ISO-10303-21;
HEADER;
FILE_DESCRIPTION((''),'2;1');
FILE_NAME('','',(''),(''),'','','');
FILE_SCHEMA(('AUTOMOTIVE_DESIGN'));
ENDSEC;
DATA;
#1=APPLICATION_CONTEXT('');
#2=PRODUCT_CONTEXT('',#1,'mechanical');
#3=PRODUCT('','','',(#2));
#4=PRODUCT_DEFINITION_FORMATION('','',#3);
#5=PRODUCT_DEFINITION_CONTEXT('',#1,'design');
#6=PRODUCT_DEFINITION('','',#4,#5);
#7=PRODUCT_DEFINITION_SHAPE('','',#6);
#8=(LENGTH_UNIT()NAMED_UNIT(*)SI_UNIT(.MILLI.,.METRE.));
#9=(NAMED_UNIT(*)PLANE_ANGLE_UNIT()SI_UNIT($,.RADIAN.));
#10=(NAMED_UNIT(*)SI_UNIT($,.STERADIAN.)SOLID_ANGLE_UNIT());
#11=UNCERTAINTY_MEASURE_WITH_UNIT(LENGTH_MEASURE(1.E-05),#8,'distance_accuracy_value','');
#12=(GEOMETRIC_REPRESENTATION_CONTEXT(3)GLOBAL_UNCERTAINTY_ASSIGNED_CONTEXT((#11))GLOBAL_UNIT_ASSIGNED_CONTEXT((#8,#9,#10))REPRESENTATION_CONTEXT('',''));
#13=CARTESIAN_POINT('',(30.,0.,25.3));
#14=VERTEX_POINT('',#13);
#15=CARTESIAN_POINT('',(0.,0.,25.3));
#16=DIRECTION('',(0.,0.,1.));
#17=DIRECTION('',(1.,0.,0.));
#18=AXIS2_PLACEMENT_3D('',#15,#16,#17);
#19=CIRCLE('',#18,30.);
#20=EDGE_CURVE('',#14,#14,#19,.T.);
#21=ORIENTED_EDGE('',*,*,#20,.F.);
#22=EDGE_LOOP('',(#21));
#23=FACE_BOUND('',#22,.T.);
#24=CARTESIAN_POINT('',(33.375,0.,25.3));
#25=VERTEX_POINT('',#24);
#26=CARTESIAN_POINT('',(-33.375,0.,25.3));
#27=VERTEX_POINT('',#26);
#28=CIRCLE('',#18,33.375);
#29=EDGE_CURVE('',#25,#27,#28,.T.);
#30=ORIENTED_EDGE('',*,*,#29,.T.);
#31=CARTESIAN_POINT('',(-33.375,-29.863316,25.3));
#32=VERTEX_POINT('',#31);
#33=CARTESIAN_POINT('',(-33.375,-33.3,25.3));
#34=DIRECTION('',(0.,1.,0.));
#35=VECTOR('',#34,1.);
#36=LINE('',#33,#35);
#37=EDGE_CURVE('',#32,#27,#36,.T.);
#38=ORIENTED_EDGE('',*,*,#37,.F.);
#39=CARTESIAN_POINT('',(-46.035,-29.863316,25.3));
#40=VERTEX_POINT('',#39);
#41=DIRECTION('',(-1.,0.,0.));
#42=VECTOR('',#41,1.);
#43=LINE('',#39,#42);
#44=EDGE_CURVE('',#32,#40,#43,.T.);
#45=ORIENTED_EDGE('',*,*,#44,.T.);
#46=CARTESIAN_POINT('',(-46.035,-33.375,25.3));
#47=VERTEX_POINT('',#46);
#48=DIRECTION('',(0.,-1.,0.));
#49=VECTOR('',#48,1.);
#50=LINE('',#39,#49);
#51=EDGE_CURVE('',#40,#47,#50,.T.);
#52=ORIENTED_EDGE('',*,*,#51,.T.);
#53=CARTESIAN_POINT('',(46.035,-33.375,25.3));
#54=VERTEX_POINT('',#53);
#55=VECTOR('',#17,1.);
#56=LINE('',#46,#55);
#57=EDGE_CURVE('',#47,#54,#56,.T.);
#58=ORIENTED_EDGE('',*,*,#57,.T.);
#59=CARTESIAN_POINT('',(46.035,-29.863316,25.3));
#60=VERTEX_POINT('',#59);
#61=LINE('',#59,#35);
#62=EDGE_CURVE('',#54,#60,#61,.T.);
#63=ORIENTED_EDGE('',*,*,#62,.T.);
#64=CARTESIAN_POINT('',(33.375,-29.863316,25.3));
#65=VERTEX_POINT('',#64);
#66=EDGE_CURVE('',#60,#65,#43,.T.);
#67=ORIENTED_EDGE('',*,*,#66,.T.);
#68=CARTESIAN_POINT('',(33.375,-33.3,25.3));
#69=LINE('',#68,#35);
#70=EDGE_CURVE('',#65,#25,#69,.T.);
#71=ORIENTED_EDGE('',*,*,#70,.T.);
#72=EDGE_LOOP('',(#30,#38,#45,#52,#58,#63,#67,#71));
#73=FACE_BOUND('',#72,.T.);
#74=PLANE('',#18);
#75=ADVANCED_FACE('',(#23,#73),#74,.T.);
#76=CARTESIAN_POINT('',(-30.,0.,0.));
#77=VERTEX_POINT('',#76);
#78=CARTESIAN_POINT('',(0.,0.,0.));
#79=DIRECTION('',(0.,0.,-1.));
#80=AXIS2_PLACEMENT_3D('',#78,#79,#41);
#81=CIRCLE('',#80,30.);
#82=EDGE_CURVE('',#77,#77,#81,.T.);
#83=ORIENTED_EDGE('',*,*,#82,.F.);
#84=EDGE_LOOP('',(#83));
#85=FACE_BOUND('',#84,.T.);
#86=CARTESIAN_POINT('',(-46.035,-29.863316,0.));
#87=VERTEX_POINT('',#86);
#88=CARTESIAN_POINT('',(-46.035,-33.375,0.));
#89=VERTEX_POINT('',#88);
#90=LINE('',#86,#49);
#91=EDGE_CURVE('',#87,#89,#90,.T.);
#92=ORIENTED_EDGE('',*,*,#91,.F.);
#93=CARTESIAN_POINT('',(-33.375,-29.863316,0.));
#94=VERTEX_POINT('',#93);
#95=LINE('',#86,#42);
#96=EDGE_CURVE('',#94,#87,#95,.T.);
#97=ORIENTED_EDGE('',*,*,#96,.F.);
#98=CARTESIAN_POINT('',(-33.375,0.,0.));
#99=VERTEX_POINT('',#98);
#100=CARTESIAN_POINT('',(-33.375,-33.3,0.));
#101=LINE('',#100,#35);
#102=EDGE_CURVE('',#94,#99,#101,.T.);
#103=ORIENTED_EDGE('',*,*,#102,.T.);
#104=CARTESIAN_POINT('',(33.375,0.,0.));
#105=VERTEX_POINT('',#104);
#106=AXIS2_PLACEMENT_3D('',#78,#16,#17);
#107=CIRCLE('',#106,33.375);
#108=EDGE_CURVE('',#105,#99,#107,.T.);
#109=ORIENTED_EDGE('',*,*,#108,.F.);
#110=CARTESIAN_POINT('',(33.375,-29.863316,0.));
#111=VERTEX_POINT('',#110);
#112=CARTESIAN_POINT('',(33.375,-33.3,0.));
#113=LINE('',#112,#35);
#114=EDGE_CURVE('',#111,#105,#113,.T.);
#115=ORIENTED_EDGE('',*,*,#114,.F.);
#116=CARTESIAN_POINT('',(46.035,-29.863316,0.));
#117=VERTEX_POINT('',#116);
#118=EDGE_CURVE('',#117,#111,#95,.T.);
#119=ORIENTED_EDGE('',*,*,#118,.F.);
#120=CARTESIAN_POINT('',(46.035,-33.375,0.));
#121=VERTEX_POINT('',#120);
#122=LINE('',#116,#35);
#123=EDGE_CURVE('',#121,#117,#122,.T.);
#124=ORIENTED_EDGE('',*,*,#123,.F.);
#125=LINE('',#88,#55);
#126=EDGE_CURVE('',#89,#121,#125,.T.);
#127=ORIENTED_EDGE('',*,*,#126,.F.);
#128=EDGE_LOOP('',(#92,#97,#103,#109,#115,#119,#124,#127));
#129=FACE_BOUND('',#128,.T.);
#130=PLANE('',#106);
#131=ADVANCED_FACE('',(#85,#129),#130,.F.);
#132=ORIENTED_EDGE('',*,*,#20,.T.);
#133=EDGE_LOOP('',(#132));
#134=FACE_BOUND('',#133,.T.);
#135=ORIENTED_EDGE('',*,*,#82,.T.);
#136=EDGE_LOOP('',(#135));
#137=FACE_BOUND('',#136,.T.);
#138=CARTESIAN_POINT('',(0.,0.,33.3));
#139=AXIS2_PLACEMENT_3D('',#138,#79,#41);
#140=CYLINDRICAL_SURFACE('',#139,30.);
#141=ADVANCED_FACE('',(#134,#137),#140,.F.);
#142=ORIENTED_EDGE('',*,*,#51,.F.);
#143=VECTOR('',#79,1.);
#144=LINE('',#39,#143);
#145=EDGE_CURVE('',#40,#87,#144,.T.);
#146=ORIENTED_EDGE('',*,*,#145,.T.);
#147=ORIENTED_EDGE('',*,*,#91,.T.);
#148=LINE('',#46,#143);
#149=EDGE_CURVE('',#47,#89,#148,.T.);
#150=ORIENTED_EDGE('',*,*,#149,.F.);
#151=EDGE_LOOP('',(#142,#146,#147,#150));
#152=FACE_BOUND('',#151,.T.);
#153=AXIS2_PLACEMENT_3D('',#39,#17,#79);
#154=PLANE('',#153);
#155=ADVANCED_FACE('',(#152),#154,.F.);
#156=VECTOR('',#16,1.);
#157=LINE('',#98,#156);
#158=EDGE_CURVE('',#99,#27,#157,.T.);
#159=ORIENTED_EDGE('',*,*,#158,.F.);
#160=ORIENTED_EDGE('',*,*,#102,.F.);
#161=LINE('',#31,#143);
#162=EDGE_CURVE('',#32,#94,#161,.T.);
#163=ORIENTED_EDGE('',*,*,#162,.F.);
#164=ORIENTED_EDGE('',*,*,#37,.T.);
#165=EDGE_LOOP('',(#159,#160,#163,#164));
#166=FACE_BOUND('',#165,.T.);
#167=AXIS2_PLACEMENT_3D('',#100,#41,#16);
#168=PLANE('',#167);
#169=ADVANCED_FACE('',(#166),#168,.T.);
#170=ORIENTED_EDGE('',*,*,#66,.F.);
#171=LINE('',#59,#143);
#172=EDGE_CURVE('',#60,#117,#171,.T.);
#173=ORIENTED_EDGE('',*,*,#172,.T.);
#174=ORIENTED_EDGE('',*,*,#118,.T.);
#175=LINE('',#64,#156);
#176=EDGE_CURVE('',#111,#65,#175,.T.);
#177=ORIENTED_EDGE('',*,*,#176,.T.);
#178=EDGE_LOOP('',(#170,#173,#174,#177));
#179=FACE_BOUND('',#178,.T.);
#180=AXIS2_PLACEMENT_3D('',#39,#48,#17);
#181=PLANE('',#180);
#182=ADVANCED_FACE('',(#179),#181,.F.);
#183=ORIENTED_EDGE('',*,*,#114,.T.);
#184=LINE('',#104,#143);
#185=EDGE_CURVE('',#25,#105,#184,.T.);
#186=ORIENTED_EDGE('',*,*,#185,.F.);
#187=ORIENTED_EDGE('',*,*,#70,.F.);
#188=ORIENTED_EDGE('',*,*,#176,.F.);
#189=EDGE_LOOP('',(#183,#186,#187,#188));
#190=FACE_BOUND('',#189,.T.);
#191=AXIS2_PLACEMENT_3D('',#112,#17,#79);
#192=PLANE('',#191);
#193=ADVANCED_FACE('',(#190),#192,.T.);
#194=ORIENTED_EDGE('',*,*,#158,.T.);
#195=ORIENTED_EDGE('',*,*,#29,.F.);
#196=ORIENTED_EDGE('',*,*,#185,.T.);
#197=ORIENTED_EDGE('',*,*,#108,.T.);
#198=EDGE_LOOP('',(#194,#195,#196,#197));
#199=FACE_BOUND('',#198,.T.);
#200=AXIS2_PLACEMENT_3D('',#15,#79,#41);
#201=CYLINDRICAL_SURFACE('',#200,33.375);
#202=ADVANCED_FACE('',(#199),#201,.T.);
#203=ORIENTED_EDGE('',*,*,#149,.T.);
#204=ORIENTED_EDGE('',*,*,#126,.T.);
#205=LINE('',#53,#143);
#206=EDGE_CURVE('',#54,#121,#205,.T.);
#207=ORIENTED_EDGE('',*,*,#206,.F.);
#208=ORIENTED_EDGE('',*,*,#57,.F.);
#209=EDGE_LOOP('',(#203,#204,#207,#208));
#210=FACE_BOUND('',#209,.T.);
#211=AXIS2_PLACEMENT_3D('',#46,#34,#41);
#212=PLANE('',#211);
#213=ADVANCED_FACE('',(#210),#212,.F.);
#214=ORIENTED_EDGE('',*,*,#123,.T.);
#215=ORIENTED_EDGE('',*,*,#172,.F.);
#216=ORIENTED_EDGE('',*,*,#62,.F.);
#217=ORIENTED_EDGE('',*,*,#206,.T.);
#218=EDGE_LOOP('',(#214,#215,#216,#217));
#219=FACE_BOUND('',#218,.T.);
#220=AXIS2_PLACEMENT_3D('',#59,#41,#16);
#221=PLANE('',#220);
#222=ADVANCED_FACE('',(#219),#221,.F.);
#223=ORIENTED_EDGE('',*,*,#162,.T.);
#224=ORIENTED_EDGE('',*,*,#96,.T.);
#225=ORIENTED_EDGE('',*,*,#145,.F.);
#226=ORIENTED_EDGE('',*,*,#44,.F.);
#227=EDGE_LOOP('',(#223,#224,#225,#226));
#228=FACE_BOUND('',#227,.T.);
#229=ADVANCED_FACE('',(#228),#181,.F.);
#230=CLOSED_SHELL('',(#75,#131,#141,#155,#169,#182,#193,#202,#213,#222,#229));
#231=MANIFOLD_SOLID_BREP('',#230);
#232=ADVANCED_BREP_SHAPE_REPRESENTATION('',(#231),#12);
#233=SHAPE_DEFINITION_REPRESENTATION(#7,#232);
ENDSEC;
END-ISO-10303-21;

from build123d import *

# Parameters (mm, degrees)
SKETCH1_R           = 33.375
SKETCH1_R_2         = 30.007470458
BOSS_EXTRUDE1_DEPTH = 25.3
BASE_W              = 92.07
BASE_H              = 3.511684016
BOSS_EXTRUDE3_DEPTH = 25.3
SKETCH7_W           = 66.75
SKETCH7_H           = 25.3
BOSS_EXTRUDE4_DEPTH = 33.3
SKETCH2_R           = 30
CUT_EXTRUDE4_DEPTH  = 33.3


with BuildPart() as part:
    # Sketch1 → Boss-Extrude1 (new body)
    with BuildSketch(Plane.XY):
        Circle(SKETCH1_R)
        Circle(SKETCH1_R_2, mode=Mode.SUBTRACT)
        Circle(SKETCH1_R_2)
    extrude(amount=BOSS_EXTRUDE1_DEPTH)

    # Base → Boss-Extrude3 (add)
    with BuildSketch(Plane.XY):
        with Locations((0, -31.619157992)):
            Rectangle(BASE_W, BASE_H)
    extrude(amount=BOSS_EXTRUDE3_DEPTH)

    # Sketch7 → Boss-Extrude4 (add)
    with BuildSketch(Plane(origin=(0, 0, 0), x_dir=(1, 0, 0), z_dir=(0, 1, 0))):
        with Locations((0, -12.65)):
            Rectangle(SKETCH7_W, SKETCH7_H)
    extrude(amount=-BOSS_EXTRUDE4_DEPTH)

    # Sketch2 → Cut-Extrude4 (cut)
    with BuildSketch(Plane(origin=(0, 0, 0), x_dir=(-1, 0, 0), z_dir=(0, 0, -1))):
        Circle(SKETCH2_R)
    extrude(amount=-CUT_EXTRUDE4_DEPTH, mode=Mode.SUBTRACT)


solid = part.part
